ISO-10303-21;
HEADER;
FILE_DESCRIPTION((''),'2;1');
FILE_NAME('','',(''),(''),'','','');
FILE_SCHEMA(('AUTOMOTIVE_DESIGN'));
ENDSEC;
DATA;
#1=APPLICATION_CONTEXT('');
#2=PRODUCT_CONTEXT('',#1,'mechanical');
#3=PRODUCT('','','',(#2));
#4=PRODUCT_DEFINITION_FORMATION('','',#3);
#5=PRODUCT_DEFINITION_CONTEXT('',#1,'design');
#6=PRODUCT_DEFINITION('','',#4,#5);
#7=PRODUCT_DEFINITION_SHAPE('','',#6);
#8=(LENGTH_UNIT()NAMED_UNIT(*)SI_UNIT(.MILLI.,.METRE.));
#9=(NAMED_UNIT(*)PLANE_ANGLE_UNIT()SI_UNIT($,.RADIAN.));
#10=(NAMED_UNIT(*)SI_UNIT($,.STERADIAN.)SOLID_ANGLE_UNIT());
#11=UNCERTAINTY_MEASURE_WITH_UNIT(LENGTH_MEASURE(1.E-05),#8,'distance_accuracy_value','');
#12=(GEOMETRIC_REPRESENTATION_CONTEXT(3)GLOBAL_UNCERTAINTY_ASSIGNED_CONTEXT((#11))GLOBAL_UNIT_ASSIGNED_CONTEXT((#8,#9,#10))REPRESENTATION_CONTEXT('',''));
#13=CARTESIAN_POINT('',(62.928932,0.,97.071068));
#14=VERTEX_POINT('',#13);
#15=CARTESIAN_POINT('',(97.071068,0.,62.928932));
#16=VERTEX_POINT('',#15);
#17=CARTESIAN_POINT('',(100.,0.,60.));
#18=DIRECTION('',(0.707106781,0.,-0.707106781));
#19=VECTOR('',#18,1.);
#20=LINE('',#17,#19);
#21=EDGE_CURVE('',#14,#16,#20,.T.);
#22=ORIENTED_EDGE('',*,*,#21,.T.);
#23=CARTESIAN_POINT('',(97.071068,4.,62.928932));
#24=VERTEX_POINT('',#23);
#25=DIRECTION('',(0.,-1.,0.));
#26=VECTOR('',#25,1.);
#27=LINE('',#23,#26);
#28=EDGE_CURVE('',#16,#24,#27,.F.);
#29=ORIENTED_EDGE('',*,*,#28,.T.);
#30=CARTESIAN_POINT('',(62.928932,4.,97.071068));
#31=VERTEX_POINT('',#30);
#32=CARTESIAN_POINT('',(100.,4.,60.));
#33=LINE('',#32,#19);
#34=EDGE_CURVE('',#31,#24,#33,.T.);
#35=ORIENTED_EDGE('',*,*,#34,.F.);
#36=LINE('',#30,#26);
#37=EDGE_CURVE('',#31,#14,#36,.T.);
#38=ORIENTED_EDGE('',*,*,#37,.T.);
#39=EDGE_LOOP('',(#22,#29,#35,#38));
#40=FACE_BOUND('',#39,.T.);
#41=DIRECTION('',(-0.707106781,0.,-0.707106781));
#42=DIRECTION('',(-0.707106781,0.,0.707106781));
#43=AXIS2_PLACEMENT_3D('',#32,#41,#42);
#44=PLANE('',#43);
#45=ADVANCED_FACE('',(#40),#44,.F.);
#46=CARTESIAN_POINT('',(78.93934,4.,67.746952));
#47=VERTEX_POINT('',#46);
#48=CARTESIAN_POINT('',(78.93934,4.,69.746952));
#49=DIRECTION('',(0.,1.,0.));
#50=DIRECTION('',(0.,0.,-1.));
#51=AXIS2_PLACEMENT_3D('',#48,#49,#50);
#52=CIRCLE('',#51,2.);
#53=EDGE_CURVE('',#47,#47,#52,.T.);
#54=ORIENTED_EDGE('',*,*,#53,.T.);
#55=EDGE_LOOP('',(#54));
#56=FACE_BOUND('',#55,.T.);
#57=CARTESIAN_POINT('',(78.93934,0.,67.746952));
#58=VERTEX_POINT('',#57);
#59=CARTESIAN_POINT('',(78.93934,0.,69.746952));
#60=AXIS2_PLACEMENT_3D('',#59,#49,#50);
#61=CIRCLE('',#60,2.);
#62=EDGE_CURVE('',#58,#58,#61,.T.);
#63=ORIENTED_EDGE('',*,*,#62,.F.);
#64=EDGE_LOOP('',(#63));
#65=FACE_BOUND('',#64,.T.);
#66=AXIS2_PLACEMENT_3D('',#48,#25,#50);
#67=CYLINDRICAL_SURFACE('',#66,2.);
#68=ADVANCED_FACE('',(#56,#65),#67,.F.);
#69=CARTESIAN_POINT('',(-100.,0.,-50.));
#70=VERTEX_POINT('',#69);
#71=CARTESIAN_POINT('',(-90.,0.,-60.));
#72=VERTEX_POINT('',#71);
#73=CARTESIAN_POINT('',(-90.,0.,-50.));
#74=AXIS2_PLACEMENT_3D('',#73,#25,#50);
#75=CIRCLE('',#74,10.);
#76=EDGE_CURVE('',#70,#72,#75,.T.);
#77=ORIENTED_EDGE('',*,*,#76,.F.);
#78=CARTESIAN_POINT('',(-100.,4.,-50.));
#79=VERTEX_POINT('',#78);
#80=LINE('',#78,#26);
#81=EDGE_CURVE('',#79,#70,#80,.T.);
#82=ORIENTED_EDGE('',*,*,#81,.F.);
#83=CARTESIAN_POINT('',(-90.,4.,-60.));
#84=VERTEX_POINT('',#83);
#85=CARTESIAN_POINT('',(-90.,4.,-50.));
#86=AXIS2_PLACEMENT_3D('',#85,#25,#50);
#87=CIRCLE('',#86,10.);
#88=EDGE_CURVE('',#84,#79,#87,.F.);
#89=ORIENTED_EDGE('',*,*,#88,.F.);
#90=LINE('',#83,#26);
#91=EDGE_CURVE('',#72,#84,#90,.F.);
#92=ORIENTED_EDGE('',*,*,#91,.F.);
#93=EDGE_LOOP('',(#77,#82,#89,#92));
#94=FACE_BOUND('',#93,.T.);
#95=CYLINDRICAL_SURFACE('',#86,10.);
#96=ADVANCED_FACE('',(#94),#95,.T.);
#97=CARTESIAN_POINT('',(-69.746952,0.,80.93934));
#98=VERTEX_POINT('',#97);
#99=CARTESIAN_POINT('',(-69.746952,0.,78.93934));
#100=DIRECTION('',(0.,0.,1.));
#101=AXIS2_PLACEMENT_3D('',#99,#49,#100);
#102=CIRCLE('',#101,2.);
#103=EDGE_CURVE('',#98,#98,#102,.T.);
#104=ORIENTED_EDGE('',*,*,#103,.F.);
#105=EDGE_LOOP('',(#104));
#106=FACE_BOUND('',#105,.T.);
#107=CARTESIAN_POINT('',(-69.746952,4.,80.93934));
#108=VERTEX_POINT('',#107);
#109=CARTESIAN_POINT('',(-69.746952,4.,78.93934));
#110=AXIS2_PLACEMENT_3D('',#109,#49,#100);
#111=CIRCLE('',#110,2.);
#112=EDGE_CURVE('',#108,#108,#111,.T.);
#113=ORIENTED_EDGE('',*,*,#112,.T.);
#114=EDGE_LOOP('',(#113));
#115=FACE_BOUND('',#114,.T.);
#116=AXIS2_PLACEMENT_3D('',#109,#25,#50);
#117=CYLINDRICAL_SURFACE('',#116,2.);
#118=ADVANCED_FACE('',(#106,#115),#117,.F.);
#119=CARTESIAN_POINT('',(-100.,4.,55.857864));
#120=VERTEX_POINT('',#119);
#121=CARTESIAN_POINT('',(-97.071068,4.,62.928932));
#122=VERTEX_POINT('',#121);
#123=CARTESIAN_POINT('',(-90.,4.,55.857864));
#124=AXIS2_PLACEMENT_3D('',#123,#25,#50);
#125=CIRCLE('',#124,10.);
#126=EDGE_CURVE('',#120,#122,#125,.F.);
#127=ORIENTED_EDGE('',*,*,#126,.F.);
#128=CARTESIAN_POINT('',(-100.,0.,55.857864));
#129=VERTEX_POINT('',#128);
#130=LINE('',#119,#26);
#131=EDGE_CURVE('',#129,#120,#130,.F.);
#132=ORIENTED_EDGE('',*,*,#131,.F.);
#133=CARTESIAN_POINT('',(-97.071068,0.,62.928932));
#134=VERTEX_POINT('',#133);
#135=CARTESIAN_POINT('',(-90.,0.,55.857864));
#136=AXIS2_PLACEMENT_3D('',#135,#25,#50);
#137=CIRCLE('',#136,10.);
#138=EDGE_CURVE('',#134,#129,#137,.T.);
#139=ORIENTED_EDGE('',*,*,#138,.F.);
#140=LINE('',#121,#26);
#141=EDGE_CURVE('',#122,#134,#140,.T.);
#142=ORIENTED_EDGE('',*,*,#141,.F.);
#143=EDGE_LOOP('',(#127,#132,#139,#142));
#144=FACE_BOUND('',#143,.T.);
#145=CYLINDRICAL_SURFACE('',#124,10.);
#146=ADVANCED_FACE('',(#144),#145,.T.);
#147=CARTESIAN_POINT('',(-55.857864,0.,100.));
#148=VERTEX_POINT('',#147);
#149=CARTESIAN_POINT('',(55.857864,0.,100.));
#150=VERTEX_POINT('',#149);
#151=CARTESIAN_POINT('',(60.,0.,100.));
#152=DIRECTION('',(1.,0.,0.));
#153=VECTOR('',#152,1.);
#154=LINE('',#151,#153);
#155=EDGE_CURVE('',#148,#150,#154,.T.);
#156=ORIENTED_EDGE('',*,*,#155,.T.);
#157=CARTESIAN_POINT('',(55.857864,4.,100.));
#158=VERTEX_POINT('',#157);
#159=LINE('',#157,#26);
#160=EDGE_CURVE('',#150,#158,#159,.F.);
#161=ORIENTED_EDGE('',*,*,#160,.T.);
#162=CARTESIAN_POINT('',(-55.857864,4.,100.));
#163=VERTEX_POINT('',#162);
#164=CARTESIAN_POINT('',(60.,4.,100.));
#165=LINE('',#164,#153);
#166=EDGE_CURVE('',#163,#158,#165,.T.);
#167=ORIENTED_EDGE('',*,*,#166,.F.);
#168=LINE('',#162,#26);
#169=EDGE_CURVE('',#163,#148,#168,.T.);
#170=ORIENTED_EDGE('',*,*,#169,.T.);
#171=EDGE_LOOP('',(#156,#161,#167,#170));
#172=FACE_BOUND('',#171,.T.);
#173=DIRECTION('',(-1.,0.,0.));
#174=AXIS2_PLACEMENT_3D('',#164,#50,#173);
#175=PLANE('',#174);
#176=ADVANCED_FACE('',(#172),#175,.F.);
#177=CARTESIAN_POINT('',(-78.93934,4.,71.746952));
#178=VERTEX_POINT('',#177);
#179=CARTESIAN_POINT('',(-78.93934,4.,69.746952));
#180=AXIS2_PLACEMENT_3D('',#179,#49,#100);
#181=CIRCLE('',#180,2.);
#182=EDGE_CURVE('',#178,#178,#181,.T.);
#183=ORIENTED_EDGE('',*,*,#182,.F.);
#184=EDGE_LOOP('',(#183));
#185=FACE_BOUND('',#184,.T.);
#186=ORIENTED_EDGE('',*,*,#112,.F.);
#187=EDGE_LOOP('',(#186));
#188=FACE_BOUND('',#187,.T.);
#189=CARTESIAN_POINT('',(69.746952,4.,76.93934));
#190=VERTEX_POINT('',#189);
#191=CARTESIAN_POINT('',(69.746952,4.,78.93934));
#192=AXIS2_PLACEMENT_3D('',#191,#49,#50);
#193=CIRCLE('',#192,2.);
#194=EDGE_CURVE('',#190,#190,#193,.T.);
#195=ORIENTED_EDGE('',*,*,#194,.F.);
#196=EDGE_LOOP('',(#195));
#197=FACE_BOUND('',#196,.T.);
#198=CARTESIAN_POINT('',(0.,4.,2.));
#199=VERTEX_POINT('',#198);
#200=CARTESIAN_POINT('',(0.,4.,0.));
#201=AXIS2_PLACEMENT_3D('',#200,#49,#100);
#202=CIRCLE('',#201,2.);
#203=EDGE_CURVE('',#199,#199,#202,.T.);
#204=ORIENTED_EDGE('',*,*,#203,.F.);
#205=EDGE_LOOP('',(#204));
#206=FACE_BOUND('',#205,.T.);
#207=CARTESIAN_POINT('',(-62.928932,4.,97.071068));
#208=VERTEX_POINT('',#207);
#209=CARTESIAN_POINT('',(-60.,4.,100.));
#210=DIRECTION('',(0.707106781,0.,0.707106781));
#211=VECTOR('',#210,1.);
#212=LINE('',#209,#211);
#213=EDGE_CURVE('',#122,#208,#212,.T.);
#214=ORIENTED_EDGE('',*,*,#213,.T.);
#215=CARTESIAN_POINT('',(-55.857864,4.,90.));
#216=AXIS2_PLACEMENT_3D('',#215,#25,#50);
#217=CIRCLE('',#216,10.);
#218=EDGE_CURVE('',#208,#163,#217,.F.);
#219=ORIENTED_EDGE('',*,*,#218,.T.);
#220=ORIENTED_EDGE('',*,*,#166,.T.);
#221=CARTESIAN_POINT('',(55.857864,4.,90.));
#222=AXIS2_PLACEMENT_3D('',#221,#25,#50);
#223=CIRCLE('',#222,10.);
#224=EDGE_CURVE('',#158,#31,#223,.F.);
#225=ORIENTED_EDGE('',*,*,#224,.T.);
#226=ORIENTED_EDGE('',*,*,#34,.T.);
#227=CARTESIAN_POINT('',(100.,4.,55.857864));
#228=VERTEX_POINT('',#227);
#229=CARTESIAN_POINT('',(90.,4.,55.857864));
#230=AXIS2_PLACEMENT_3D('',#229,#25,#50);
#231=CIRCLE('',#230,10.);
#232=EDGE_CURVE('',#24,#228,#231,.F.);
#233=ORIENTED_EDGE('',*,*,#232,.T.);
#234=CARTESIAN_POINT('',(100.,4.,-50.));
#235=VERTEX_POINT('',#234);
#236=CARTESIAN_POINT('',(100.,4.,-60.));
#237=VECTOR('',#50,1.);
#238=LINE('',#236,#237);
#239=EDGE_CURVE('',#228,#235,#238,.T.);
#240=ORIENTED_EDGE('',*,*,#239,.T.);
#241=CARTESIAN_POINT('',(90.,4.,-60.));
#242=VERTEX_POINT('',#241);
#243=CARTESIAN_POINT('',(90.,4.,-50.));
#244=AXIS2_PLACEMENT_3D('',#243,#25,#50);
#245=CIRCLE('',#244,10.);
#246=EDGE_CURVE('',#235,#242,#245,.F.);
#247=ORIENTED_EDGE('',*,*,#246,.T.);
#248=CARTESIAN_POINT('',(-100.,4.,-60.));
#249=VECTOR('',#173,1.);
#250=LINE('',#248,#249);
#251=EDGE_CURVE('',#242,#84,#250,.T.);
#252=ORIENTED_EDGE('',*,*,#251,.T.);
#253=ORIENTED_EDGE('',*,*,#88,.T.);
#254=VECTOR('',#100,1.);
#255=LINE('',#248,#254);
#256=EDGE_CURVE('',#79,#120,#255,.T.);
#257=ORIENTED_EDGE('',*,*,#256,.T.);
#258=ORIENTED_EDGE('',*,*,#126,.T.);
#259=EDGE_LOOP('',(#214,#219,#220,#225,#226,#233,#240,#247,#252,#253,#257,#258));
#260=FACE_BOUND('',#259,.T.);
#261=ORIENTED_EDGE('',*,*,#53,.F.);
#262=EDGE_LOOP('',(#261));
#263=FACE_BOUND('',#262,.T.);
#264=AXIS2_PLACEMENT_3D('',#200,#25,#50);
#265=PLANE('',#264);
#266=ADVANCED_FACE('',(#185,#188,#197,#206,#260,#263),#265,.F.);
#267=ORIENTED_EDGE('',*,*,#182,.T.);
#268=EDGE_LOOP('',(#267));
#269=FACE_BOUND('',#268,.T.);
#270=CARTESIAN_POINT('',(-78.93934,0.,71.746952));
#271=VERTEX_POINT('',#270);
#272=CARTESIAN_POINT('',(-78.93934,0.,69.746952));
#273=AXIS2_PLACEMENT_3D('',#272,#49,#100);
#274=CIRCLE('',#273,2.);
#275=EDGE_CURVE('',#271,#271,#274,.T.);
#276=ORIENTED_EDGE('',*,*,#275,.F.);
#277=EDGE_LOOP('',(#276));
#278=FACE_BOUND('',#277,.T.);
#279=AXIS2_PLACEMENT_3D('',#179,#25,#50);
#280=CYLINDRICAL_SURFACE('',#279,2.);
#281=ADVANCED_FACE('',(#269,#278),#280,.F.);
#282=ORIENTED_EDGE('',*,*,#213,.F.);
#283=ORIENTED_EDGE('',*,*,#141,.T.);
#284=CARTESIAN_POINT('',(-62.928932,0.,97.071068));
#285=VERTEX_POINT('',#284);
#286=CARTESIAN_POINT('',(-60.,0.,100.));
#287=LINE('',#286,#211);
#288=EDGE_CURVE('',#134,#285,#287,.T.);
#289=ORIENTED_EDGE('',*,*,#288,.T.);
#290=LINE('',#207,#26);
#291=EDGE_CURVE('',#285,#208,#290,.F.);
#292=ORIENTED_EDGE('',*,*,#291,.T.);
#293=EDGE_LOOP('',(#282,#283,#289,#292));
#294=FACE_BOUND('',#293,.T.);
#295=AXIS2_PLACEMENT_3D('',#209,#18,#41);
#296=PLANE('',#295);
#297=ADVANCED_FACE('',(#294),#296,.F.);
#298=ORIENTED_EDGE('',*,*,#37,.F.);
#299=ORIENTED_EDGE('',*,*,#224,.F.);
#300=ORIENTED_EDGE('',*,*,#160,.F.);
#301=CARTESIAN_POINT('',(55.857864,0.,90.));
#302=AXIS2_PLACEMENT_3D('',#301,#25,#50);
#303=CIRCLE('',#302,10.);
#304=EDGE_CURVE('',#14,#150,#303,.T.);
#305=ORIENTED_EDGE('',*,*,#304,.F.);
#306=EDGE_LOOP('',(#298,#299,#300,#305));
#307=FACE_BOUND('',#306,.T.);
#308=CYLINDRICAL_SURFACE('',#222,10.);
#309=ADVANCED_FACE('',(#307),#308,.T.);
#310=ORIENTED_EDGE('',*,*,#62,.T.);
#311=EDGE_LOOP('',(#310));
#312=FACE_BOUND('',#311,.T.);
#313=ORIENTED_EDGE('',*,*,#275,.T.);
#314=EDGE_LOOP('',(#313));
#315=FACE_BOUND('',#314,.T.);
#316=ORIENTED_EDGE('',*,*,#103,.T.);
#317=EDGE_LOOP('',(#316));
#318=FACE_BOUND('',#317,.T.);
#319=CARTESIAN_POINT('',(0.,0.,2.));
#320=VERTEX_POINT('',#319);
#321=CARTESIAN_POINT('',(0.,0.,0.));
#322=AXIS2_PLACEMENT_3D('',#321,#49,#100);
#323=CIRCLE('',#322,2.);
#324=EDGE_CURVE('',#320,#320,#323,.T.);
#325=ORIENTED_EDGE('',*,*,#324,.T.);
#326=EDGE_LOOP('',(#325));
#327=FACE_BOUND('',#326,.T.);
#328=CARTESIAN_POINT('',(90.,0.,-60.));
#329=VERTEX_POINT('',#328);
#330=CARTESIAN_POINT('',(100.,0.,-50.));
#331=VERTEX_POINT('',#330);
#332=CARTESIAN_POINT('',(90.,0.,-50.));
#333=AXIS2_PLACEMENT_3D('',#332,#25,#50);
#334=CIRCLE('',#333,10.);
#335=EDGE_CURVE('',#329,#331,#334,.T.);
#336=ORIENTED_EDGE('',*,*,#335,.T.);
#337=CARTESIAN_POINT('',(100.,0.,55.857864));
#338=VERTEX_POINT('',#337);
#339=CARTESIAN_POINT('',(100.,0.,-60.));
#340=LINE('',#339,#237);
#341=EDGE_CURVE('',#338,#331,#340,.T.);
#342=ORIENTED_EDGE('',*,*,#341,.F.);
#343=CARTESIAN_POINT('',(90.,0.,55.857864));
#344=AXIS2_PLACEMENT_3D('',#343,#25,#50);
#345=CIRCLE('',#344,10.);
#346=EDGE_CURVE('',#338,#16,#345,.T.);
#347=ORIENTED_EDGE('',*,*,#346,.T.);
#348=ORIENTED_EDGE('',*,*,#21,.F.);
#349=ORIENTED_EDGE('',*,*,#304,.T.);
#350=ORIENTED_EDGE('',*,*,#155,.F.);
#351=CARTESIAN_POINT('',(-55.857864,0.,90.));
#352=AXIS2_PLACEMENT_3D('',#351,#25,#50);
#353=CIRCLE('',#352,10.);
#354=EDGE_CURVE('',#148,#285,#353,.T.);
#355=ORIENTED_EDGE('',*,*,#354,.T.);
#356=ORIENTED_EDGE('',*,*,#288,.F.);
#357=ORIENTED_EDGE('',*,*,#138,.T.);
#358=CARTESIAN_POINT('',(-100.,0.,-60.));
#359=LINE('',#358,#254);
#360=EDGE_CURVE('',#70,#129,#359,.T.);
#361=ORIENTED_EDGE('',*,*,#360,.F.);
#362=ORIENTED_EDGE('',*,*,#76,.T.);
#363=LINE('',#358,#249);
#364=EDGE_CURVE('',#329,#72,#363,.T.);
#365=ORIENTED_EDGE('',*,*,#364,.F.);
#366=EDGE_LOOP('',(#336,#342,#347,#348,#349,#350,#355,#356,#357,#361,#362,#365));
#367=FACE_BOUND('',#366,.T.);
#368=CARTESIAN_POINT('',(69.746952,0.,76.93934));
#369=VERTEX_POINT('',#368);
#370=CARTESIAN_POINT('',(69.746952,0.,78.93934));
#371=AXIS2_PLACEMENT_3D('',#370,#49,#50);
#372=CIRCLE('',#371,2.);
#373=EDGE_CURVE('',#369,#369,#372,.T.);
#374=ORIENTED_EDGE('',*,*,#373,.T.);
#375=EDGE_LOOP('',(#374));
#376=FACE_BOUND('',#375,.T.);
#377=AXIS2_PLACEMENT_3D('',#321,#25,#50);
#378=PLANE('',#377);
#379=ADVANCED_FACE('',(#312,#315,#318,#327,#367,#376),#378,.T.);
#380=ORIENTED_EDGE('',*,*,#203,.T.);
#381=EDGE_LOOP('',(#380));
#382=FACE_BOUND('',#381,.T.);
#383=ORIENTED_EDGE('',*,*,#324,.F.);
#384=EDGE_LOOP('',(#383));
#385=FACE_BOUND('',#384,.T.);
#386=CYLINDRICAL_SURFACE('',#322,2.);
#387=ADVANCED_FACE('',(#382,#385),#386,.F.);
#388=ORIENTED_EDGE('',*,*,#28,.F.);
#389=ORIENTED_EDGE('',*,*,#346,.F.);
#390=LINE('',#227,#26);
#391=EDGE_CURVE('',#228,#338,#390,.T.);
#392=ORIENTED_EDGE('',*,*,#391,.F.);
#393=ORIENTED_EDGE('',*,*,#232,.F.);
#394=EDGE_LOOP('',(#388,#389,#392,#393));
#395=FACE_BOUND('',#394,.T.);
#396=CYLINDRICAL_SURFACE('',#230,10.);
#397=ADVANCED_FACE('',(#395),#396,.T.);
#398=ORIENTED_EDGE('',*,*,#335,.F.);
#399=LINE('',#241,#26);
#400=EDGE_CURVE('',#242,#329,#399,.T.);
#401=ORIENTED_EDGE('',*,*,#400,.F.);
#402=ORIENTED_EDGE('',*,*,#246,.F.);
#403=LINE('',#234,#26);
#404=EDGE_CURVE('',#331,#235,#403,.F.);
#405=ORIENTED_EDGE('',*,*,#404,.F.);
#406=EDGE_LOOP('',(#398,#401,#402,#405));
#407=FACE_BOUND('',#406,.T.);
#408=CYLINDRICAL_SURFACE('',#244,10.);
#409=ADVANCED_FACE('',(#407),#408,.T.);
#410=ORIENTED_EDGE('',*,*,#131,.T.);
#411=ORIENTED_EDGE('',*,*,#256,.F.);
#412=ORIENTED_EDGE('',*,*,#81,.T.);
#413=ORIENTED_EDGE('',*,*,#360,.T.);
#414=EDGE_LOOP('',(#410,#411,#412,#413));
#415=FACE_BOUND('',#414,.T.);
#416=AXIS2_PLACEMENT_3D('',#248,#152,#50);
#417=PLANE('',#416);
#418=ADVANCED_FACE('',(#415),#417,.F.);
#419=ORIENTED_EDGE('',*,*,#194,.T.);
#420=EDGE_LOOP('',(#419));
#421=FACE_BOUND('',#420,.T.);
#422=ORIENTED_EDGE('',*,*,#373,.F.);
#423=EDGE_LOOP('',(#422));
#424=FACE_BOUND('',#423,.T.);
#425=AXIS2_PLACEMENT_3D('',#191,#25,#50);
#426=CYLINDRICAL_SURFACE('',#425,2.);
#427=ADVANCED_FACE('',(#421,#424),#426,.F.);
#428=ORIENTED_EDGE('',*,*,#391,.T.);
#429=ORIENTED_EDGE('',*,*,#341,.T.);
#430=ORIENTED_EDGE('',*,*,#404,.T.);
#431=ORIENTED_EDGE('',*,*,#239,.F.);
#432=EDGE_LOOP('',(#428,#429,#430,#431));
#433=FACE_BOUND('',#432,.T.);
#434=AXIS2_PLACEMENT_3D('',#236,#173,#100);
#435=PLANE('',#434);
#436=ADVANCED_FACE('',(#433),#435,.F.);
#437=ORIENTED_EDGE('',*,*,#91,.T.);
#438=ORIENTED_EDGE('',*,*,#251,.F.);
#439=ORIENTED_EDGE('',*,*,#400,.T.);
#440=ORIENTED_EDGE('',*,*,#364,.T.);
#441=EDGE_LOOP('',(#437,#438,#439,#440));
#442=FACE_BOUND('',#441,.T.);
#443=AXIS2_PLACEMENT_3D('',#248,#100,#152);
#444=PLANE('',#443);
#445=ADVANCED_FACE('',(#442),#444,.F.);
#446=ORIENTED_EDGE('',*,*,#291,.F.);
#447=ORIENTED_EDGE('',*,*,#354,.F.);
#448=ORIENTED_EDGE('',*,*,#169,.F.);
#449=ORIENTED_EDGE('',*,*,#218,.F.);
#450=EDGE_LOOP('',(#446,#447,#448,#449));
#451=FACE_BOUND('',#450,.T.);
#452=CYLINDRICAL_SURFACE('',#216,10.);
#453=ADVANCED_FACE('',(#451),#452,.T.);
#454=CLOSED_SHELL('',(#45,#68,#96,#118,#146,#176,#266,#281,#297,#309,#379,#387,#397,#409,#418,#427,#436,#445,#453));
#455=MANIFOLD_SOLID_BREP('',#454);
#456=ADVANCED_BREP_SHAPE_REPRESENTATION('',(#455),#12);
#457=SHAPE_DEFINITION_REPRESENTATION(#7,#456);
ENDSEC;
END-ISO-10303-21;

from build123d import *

# Parameters (mm, degrees)
EXTRUDE_1_DEPTH     = 4
SKETCH_2_R          = 2
CUT_EXTRUDE_1_DEPTH = 5
FILLET_1_R          = 10
SKETCH_4_R          = 2
CUT_EXTRUDE_2_DEPTH = 5


with BuildPart() as part:
    # 草图1 → 凸台-拉伸1 (new body)
    with BuildSketch(Plane(origin=(0, 0, 0), x_dir=(1, 0, 0), z_dir=(0, 1, 0))):
        Polygon((-100, 60), (-100, -60), (-60, -100), (60, -100), (100, -60), (100, 60), align=None)
    extrude(amount=EXTRUDE_1_DEPTH)

    # 草图2 → 切除-拉伸1 (cut, through all)
    with BuildSketch(Plane(origin=(0, 4, 0), x_dir=(1, 0, 0), z_dir=(0, 1, 0))):
        Circle(SKETCH_2_R)
    extrude(amount=-CUT_EXTRUDE_1_DEPTH, mode=Mode.SUBTRACT)

    # 圆角1
    fillet_1_edges = [part.edges().sort_by_distance(p)[0] for p in [
        (100, 2, -60),
        (100, 2, 60),
        (60, 2, 100),
        (-60, 2, 100),
        (-100, 2, 60),
        (-100, 2, -60),
    ]]
    fillet(fillet_1_edges, radius=FILLET_1_R)

    # 草图4 → 切除-拉伸2 (cut, through all)
    with BuildSketch(Plane(origin=(0, 0, 0), x_dir=(1, 0, 0), z_dir=(0, 1, 0))):
        with Locations((-78.939339828, -69.746951673)):
            Circle(SKETCH_4_R)
        with Locations((-69.746951673, -78.939339828)):
            Circle(SKETCH_4_R)
        with Locations((69.746951673, -78.939339828)):
            Circle(SKETCH_4_R)
        with Locations((78.939339828, -69.746951673)):
            Circle(SKETCH_4_R)
    extrude(amount=CUT_EXTRUDE_2_DEPTH, mode=Mode.SUBTRACT)


solid = part.part
